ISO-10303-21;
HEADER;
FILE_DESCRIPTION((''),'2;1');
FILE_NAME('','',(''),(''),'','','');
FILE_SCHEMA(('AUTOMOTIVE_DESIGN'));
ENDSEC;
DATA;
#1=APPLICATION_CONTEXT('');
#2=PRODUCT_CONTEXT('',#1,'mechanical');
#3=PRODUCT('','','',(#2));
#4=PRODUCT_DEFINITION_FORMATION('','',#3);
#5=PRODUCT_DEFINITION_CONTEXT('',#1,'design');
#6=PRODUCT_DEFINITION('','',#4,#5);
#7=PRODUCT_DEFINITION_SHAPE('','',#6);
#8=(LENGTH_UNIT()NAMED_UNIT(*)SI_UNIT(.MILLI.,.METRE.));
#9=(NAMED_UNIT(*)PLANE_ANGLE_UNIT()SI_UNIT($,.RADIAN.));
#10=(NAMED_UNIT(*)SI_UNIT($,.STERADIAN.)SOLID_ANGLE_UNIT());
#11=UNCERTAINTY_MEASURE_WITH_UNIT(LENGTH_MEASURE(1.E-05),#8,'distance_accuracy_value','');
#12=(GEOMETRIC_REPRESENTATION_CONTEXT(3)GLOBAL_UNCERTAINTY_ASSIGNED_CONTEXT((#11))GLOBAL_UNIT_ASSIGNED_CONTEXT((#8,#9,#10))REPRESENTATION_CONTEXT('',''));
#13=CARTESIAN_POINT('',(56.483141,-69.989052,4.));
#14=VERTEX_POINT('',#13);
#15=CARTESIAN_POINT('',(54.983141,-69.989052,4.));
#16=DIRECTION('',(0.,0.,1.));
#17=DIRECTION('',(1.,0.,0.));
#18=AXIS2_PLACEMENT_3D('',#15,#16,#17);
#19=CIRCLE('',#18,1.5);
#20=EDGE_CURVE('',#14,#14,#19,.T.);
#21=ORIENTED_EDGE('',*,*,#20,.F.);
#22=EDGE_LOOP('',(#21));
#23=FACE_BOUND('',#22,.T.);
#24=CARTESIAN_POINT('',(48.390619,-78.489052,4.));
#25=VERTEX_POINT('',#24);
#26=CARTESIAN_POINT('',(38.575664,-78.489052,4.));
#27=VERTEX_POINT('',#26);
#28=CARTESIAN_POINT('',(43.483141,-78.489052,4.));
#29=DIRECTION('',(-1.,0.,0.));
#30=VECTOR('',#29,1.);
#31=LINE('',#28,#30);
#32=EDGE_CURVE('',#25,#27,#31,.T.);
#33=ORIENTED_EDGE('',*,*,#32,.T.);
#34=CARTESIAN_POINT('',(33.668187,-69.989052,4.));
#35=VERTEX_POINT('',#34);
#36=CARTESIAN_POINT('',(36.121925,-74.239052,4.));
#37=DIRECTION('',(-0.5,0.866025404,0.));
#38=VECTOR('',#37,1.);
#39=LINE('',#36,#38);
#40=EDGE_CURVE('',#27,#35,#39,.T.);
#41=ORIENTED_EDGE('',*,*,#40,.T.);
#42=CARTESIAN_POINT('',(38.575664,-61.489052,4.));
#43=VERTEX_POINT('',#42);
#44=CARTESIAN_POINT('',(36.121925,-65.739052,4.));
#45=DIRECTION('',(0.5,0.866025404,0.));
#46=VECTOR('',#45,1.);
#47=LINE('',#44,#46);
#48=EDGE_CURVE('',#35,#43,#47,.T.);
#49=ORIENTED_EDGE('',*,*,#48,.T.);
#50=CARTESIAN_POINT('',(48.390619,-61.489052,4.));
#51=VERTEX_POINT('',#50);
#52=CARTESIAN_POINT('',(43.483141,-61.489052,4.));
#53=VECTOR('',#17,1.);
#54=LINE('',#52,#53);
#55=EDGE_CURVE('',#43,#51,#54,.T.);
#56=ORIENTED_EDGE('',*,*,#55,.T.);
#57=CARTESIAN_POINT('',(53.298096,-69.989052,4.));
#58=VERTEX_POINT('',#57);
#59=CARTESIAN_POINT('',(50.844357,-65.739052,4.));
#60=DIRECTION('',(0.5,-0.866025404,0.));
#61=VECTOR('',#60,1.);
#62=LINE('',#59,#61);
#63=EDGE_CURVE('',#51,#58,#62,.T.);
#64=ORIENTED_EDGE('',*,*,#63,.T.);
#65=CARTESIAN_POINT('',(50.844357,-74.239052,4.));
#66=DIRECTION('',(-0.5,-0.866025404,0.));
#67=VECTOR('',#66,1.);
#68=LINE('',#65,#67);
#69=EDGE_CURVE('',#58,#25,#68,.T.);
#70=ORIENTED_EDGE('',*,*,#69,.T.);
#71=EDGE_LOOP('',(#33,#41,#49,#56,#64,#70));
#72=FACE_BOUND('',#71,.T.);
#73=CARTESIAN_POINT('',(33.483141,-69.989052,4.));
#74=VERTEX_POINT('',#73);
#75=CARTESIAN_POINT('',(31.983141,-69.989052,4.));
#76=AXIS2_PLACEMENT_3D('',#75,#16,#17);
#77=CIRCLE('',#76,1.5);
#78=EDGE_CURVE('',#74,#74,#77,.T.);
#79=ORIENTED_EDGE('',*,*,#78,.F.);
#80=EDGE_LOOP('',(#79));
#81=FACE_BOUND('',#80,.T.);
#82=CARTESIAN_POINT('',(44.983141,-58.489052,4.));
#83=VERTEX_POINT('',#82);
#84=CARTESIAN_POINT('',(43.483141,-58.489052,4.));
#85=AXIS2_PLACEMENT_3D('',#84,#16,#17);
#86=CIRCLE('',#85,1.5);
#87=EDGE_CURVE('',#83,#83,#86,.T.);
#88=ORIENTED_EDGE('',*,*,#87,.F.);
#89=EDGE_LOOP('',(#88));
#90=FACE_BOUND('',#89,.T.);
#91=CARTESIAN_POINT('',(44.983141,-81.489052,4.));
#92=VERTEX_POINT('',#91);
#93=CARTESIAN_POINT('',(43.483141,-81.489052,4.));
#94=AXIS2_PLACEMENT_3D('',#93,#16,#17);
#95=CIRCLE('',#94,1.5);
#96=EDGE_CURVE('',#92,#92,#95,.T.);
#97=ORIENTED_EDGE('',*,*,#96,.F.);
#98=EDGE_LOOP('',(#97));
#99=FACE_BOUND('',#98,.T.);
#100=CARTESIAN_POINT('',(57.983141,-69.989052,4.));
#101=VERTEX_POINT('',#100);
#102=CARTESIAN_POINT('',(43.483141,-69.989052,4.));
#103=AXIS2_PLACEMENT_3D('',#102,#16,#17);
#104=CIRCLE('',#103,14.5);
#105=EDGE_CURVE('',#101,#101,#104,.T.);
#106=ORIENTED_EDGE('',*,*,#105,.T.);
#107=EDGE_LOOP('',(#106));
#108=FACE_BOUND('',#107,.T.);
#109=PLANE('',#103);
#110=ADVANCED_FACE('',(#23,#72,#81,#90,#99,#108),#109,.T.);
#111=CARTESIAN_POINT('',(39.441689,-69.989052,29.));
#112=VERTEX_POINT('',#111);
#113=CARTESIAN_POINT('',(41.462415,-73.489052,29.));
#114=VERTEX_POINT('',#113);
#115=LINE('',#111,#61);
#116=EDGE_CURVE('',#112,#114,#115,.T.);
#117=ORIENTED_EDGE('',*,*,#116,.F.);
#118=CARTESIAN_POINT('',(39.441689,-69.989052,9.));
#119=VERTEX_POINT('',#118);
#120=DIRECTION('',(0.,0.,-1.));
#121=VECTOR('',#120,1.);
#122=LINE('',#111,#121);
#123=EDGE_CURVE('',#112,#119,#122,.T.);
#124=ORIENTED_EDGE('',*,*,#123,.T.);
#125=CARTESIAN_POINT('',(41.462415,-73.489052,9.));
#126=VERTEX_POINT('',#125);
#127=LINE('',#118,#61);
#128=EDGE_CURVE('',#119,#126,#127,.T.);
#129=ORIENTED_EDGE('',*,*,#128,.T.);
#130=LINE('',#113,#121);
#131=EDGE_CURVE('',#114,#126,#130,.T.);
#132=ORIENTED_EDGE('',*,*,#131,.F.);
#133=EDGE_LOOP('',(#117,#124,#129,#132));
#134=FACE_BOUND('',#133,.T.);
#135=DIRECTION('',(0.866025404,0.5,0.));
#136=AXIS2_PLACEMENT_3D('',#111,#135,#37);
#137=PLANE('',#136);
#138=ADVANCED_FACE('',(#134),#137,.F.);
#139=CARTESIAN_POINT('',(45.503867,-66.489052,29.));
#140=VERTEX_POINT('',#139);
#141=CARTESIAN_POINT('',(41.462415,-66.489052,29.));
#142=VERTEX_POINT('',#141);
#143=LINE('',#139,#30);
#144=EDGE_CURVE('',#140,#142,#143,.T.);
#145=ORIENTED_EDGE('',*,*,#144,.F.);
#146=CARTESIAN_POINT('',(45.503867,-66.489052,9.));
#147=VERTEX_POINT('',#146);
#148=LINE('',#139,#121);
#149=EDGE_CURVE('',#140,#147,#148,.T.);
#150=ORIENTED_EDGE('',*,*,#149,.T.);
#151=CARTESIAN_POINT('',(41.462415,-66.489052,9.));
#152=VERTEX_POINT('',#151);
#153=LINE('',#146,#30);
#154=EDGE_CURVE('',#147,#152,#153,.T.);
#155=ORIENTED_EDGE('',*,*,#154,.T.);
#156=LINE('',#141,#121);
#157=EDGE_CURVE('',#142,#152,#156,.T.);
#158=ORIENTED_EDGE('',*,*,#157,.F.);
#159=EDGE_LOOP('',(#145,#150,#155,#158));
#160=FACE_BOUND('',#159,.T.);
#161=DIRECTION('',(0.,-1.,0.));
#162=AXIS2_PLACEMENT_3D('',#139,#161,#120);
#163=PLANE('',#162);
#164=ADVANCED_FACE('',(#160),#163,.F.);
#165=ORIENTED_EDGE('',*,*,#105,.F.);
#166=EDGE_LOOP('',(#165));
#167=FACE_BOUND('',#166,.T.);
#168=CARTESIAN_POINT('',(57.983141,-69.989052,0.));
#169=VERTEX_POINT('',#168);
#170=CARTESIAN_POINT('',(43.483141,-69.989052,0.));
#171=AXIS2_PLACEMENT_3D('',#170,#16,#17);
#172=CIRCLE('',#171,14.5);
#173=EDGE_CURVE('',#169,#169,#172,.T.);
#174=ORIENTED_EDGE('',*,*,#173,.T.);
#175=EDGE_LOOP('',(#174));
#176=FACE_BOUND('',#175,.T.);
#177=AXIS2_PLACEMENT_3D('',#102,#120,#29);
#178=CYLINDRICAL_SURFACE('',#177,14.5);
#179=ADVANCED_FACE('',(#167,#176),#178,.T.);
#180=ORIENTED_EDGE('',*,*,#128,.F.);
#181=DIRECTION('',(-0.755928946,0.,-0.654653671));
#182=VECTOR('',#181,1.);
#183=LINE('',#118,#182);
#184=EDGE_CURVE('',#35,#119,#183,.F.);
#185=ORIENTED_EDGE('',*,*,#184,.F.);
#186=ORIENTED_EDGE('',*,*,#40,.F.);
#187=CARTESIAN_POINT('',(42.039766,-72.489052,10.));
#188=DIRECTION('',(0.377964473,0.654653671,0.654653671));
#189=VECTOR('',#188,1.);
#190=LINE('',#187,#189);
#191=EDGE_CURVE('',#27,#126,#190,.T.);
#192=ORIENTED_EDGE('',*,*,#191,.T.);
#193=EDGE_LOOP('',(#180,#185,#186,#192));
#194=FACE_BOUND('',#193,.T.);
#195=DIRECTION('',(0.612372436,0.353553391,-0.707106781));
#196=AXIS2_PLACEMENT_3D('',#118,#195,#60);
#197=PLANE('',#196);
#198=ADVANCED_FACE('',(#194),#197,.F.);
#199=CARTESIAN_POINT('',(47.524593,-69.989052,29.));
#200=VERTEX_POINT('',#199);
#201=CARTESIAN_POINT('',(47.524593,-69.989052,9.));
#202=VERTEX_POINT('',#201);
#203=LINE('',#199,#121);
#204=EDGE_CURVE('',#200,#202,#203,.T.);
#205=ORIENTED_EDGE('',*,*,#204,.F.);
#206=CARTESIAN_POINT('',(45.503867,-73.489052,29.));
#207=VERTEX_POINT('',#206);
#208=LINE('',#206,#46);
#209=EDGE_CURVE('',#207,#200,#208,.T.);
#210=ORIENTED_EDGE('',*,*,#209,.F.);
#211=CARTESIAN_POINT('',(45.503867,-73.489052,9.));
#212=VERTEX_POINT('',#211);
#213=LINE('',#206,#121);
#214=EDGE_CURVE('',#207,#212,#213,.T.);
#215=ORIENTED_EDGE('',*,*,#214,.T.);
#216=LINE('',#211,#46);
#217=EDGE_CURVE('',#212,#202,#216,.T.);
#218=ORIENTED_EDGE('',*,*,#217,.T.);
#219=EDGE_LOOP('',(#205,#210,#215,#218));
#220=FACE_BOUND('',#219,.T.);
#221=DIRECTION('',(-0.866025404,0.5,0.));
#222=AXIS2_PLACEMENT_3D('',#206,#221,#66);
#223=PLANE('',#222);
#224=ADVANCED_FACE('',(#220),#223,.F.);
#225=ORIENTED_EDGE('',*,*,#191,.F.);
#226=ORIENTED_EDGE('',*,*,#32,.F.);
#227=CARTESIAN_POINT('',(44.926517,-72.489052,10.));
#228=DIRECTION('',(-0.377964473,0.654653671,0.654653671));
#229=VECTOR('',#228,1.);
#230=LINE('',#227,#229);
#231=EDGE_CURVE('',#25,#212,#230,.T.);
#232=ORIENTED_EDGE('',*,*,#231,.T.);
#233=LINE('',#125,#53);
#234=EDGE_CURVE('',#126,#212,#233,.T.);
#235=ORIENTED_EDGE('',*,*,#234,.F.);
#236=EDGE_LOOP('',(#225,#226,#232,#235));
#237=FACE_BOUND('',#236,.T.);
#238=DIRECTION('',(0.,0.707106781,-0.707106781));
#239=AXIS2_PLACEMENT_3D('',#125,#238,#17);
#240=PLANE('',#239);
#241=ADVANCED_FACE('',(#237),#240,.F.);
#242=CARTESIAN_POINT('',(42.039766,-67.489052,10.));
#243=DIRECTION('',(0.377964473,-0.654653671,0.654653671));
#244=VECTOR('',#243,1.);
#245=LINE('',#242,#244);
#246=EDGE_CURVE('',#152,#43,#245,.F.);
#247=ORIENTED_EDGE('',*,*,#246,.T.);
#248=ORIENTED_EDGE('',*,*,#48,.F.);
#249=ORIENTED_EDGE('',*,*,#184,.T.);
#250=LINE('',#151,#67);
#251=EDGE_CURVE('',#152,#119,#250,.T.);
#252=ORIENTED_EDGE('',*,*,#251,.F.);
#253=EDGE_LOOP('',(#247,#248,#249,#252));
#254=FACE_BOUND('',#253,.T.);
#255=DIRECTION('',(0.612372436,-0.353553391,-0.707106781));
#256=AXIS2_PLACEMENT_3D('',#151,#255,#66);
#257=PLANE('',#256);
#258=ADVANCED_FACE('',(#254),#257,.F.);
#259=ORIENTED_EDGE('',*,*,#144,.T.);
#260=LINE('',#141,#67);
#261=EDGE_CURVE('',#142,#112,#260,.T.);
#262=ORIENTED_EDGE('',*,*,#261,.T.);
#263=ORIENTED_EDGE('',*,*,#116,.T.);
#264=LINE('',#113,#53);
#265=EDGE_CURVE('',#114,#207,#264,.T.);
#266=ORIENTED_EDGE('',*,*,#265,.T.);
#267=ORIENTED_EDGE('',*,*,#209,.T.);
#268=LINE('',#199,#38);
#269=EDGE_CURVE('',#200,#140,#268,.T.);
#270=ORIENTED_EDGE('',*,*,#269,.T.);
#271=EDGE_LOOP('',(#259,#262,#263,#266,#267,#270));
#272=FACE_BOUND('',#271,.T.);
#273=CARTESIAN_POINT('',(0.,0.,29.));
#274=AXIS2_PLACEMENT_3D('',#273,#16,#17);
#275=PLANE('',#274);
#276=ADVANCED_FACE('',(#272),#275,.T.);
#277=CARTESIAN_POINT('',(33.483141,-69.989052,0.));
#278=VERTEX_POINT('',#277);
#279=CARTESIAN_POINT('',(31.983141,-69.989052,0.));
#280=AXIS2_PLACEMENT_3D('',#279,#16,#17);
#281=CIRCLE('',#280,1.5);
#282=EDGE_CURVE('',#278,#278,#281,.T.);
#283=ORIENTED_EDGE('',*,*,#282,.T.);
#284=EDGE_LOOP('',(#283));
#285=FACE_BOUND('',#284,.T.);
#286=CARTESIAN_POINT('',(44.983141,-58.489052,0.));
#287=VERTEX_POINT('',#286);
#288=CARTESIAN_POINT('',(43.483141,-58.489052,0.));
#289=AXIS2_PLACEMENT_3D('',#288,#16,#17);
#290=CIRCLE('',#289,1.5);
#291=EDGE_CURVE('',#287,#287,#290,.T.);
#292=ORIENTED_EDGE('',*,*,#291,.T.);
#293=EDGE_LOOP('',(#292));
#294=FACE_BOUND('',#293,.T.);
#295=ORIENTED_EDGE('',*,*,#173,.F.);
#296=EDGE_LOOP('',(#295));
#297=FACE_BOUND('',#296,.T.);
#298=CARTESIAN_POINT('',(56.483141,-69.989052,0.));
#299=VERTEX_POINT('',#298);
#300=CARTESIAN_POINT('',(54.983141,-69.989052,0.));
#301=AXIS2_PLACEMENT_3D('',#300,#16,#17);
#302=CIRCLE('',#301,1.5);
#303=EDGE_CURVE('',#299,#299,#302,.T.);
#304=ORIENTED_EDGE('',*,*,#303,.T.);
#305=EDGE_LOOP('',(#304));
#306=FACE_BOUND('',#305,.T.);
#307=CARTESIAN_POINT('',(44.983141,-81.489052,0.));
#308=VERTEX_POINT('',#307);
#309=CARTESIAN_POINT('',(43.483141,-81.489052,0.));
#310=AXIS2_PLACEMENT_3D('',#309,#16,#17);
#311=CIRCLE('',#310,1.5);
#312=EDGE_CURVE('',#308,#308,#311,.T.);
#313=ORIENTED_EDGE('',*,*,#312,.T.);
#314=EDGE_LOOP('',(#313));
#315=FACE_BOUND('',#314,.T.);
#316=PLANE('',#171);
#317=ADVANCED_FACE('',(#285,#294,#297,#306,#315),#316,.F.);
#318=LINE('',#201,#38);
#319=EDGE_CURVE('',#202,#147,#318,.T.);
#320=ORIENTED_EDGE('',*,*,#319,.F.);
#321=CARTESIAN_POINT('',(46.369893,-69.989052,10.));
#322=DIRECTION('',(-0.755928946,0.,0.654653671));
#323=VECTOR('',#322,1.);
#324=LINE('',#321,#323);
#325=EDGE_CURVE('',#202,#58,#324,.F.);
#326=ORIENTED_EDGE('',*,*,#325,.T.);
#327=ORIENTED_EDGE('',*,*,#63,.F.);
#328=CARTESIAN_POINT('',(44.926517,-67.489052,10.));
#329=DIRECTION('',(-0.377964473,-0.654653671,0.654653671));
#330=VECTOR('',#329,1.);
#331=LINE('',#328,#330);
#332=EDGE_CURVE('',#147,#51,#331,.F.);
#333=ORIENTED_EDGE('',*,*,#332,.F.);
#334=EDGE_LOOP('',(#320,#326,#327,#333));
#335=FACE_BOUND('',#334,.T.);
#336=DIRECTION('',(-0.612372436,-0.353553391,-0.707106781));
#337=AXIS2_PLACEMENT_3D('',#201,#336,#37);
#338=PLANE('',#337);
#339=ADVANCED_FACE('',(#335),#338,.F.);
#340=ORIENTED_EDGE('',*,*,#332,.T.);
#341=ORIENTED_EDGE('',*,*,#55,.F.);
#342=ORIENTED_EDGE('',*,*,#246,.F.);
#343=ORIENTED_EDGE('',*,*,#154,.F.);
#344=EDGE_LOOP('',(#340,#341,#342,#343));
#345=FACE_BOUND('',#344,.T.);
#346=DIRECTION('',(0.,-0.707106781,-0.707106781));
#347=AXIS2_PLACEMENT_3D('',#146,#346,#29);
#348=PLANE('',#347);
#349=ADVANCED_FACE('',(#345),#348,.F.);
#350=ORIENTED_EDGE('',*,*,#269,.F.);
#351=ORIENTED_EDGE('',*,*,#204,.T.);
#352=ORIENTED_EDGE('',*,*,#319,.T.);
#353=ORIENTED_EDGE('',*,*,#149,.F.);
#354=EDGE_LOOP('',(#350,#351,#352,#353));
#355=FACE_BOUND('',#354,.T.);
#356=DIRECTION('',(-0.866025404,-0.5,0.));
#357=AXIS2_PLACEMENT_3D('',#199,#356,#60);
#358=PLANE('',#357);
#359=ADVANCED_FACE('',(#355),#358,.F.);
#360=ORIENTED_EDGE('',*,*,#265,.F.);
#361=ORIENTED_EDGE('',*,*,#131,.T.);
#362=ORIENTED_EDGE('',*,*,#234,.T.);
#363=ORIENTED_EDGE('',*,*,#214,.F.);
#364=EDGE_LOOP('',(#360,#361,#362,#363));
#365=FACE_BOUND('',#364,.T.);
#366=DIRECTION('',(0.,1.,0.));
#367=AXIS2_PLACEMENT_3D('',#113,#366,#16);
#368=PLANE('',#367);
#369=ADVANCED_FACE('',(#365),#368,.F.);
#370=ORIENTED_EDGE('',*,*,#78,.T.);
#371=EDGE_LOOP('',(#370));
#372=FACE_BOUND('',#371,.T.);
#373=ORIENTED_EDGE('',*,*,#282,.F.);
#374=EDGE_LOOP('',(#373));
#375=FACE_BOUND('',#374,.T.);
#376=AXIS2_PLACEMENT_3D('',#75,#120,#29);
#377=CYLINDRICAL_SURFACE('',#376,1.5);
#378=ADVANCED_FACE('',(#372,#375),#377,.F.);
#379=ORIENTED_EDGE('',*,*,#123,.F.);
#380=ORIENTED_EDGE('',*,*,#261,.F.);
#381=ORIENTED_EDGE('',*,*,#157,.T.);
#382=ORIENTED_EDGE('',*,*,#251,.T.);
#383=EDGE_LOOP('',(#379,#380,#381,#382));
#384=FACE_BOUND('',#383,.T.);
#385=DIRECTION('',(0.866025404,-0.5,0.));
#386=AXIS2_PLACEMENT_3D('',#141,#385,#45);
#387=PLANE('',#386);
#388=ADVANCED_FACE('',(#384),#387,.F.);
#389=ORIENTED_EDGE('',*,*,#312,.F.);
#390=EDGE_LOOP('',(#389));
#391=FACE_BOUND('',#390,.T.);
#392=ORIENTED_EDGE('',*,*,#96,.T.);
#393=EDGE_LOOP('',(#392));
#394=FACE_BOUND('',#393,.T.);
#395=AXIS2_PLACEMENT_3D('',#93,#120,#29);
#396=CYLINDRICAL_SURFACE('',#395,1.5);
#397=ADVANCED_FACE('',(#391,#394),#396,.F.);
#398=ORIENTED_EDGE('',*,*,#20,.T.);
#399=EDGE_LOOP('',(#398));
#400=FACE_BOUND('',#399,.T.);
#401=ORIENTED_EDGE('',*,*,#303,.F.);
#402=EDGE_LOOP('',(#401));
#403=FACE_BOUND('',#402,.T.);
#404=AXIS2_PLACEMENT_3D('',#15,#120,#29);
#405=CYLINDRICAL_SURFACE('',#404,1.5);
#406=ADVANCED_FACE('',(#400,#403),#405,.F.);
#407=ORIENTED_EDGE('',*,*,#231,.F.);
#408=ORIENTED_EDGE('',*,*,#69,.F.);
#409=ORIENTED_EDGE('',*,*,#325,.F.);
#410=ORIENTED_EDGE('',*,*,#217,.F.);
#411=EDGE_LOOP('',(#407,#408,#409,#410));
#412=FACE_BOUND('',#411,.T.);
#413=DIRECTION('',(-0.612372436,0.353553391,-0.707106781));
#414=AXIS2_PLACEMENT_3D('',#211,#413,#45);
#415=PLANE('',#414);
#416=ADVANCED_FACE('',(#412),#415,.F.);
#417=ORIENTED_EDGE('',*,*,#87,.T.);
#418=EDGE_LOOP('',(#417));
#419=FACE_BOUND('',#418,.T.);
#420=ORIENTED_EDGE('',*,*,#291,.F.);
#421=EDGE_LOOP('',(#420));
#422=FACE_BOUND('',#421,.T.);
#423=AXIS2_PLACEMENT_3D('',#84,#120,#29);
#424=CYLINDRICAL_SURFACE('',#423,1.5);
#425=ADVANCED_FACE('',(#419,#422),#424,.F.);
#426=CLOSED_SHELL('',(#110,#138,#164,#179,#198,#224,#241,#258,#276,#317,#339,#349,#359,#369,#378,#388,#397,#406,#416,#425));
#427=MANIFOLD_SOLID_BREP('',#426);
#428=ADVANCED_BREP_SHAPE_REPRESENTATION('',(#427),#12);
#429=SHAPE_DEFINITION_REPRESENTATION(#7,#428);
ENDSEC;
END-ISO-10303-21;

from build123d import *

# Parameters (mm, degrees)
SKETCH1_R           = 14.5
SKETCH1_R_2         = 1.5
BOSS_EXTRUDE1_DEPTH = 4
BOSS_EXTRUDE2_DEPTH = 25
CHAMFER1_SIZE       = 5


with BuildPart() as part:
    # Sketch1 → Boss-Extrude1 (new body)
    with BuildSketch(Plane.XY):
        with Locations((43.483141232, -69.989052064)):
            Circle(SKETCH1_R)
        with Locations((43.483141232, -58.489052064)):
            Circle(SKETCH1_R_2, mode=Mode.SUBTRACT)
        with Locations((54.983141232, -69.989052064)):
            Circle(SKETCH1_R_2, mode=Mode.SUBTRACT)
        with Locations((31.983141232, -69.989052064)):
            Circle(SKETCH1_R_2, mode=Mode.SUBTRACT)
        with Locations((43.483141232, -81.489052064)):
            Circle(SKETCH1_R_2, mode=Mode.SUBTRACT)
    extrude(amount=BOSS_EXTRUDE1_DEPTH)

    # Sketch2 → Boss-Extrude2 (add)
    with BuildSketch(Plane.XY.offset(4)):
        Polygon((47.524593117, -69.989052064), (45.503867174, -66.489052064), (41.46241529, -66.489052064), (39.441689348, -69.989052064), (41.46241529, -73.489052064), (45.503867174, -73.489052064), align=None)
    extrude(amount=BOSS_EXTRUDE2_DEPTH)

    # Chamfer1
    chamfer1_edges = [part.edges().sort_by_distance(p)[0] for p in [
        (46.514230145, -71.739052064, 4),
        (46.514230145, -68.239052064, 4),
        (43.483141232, -66.489052064, 4),
        (40.452052319, -68.239052064, 4),
        (40.452052319, -71.739052064, 4),
        (43.483141232, -73.489052064, 4),
    ]]
    chamfer(chamfer1_edges, length=CHAMFER1_SIZE)


solid = part.part
